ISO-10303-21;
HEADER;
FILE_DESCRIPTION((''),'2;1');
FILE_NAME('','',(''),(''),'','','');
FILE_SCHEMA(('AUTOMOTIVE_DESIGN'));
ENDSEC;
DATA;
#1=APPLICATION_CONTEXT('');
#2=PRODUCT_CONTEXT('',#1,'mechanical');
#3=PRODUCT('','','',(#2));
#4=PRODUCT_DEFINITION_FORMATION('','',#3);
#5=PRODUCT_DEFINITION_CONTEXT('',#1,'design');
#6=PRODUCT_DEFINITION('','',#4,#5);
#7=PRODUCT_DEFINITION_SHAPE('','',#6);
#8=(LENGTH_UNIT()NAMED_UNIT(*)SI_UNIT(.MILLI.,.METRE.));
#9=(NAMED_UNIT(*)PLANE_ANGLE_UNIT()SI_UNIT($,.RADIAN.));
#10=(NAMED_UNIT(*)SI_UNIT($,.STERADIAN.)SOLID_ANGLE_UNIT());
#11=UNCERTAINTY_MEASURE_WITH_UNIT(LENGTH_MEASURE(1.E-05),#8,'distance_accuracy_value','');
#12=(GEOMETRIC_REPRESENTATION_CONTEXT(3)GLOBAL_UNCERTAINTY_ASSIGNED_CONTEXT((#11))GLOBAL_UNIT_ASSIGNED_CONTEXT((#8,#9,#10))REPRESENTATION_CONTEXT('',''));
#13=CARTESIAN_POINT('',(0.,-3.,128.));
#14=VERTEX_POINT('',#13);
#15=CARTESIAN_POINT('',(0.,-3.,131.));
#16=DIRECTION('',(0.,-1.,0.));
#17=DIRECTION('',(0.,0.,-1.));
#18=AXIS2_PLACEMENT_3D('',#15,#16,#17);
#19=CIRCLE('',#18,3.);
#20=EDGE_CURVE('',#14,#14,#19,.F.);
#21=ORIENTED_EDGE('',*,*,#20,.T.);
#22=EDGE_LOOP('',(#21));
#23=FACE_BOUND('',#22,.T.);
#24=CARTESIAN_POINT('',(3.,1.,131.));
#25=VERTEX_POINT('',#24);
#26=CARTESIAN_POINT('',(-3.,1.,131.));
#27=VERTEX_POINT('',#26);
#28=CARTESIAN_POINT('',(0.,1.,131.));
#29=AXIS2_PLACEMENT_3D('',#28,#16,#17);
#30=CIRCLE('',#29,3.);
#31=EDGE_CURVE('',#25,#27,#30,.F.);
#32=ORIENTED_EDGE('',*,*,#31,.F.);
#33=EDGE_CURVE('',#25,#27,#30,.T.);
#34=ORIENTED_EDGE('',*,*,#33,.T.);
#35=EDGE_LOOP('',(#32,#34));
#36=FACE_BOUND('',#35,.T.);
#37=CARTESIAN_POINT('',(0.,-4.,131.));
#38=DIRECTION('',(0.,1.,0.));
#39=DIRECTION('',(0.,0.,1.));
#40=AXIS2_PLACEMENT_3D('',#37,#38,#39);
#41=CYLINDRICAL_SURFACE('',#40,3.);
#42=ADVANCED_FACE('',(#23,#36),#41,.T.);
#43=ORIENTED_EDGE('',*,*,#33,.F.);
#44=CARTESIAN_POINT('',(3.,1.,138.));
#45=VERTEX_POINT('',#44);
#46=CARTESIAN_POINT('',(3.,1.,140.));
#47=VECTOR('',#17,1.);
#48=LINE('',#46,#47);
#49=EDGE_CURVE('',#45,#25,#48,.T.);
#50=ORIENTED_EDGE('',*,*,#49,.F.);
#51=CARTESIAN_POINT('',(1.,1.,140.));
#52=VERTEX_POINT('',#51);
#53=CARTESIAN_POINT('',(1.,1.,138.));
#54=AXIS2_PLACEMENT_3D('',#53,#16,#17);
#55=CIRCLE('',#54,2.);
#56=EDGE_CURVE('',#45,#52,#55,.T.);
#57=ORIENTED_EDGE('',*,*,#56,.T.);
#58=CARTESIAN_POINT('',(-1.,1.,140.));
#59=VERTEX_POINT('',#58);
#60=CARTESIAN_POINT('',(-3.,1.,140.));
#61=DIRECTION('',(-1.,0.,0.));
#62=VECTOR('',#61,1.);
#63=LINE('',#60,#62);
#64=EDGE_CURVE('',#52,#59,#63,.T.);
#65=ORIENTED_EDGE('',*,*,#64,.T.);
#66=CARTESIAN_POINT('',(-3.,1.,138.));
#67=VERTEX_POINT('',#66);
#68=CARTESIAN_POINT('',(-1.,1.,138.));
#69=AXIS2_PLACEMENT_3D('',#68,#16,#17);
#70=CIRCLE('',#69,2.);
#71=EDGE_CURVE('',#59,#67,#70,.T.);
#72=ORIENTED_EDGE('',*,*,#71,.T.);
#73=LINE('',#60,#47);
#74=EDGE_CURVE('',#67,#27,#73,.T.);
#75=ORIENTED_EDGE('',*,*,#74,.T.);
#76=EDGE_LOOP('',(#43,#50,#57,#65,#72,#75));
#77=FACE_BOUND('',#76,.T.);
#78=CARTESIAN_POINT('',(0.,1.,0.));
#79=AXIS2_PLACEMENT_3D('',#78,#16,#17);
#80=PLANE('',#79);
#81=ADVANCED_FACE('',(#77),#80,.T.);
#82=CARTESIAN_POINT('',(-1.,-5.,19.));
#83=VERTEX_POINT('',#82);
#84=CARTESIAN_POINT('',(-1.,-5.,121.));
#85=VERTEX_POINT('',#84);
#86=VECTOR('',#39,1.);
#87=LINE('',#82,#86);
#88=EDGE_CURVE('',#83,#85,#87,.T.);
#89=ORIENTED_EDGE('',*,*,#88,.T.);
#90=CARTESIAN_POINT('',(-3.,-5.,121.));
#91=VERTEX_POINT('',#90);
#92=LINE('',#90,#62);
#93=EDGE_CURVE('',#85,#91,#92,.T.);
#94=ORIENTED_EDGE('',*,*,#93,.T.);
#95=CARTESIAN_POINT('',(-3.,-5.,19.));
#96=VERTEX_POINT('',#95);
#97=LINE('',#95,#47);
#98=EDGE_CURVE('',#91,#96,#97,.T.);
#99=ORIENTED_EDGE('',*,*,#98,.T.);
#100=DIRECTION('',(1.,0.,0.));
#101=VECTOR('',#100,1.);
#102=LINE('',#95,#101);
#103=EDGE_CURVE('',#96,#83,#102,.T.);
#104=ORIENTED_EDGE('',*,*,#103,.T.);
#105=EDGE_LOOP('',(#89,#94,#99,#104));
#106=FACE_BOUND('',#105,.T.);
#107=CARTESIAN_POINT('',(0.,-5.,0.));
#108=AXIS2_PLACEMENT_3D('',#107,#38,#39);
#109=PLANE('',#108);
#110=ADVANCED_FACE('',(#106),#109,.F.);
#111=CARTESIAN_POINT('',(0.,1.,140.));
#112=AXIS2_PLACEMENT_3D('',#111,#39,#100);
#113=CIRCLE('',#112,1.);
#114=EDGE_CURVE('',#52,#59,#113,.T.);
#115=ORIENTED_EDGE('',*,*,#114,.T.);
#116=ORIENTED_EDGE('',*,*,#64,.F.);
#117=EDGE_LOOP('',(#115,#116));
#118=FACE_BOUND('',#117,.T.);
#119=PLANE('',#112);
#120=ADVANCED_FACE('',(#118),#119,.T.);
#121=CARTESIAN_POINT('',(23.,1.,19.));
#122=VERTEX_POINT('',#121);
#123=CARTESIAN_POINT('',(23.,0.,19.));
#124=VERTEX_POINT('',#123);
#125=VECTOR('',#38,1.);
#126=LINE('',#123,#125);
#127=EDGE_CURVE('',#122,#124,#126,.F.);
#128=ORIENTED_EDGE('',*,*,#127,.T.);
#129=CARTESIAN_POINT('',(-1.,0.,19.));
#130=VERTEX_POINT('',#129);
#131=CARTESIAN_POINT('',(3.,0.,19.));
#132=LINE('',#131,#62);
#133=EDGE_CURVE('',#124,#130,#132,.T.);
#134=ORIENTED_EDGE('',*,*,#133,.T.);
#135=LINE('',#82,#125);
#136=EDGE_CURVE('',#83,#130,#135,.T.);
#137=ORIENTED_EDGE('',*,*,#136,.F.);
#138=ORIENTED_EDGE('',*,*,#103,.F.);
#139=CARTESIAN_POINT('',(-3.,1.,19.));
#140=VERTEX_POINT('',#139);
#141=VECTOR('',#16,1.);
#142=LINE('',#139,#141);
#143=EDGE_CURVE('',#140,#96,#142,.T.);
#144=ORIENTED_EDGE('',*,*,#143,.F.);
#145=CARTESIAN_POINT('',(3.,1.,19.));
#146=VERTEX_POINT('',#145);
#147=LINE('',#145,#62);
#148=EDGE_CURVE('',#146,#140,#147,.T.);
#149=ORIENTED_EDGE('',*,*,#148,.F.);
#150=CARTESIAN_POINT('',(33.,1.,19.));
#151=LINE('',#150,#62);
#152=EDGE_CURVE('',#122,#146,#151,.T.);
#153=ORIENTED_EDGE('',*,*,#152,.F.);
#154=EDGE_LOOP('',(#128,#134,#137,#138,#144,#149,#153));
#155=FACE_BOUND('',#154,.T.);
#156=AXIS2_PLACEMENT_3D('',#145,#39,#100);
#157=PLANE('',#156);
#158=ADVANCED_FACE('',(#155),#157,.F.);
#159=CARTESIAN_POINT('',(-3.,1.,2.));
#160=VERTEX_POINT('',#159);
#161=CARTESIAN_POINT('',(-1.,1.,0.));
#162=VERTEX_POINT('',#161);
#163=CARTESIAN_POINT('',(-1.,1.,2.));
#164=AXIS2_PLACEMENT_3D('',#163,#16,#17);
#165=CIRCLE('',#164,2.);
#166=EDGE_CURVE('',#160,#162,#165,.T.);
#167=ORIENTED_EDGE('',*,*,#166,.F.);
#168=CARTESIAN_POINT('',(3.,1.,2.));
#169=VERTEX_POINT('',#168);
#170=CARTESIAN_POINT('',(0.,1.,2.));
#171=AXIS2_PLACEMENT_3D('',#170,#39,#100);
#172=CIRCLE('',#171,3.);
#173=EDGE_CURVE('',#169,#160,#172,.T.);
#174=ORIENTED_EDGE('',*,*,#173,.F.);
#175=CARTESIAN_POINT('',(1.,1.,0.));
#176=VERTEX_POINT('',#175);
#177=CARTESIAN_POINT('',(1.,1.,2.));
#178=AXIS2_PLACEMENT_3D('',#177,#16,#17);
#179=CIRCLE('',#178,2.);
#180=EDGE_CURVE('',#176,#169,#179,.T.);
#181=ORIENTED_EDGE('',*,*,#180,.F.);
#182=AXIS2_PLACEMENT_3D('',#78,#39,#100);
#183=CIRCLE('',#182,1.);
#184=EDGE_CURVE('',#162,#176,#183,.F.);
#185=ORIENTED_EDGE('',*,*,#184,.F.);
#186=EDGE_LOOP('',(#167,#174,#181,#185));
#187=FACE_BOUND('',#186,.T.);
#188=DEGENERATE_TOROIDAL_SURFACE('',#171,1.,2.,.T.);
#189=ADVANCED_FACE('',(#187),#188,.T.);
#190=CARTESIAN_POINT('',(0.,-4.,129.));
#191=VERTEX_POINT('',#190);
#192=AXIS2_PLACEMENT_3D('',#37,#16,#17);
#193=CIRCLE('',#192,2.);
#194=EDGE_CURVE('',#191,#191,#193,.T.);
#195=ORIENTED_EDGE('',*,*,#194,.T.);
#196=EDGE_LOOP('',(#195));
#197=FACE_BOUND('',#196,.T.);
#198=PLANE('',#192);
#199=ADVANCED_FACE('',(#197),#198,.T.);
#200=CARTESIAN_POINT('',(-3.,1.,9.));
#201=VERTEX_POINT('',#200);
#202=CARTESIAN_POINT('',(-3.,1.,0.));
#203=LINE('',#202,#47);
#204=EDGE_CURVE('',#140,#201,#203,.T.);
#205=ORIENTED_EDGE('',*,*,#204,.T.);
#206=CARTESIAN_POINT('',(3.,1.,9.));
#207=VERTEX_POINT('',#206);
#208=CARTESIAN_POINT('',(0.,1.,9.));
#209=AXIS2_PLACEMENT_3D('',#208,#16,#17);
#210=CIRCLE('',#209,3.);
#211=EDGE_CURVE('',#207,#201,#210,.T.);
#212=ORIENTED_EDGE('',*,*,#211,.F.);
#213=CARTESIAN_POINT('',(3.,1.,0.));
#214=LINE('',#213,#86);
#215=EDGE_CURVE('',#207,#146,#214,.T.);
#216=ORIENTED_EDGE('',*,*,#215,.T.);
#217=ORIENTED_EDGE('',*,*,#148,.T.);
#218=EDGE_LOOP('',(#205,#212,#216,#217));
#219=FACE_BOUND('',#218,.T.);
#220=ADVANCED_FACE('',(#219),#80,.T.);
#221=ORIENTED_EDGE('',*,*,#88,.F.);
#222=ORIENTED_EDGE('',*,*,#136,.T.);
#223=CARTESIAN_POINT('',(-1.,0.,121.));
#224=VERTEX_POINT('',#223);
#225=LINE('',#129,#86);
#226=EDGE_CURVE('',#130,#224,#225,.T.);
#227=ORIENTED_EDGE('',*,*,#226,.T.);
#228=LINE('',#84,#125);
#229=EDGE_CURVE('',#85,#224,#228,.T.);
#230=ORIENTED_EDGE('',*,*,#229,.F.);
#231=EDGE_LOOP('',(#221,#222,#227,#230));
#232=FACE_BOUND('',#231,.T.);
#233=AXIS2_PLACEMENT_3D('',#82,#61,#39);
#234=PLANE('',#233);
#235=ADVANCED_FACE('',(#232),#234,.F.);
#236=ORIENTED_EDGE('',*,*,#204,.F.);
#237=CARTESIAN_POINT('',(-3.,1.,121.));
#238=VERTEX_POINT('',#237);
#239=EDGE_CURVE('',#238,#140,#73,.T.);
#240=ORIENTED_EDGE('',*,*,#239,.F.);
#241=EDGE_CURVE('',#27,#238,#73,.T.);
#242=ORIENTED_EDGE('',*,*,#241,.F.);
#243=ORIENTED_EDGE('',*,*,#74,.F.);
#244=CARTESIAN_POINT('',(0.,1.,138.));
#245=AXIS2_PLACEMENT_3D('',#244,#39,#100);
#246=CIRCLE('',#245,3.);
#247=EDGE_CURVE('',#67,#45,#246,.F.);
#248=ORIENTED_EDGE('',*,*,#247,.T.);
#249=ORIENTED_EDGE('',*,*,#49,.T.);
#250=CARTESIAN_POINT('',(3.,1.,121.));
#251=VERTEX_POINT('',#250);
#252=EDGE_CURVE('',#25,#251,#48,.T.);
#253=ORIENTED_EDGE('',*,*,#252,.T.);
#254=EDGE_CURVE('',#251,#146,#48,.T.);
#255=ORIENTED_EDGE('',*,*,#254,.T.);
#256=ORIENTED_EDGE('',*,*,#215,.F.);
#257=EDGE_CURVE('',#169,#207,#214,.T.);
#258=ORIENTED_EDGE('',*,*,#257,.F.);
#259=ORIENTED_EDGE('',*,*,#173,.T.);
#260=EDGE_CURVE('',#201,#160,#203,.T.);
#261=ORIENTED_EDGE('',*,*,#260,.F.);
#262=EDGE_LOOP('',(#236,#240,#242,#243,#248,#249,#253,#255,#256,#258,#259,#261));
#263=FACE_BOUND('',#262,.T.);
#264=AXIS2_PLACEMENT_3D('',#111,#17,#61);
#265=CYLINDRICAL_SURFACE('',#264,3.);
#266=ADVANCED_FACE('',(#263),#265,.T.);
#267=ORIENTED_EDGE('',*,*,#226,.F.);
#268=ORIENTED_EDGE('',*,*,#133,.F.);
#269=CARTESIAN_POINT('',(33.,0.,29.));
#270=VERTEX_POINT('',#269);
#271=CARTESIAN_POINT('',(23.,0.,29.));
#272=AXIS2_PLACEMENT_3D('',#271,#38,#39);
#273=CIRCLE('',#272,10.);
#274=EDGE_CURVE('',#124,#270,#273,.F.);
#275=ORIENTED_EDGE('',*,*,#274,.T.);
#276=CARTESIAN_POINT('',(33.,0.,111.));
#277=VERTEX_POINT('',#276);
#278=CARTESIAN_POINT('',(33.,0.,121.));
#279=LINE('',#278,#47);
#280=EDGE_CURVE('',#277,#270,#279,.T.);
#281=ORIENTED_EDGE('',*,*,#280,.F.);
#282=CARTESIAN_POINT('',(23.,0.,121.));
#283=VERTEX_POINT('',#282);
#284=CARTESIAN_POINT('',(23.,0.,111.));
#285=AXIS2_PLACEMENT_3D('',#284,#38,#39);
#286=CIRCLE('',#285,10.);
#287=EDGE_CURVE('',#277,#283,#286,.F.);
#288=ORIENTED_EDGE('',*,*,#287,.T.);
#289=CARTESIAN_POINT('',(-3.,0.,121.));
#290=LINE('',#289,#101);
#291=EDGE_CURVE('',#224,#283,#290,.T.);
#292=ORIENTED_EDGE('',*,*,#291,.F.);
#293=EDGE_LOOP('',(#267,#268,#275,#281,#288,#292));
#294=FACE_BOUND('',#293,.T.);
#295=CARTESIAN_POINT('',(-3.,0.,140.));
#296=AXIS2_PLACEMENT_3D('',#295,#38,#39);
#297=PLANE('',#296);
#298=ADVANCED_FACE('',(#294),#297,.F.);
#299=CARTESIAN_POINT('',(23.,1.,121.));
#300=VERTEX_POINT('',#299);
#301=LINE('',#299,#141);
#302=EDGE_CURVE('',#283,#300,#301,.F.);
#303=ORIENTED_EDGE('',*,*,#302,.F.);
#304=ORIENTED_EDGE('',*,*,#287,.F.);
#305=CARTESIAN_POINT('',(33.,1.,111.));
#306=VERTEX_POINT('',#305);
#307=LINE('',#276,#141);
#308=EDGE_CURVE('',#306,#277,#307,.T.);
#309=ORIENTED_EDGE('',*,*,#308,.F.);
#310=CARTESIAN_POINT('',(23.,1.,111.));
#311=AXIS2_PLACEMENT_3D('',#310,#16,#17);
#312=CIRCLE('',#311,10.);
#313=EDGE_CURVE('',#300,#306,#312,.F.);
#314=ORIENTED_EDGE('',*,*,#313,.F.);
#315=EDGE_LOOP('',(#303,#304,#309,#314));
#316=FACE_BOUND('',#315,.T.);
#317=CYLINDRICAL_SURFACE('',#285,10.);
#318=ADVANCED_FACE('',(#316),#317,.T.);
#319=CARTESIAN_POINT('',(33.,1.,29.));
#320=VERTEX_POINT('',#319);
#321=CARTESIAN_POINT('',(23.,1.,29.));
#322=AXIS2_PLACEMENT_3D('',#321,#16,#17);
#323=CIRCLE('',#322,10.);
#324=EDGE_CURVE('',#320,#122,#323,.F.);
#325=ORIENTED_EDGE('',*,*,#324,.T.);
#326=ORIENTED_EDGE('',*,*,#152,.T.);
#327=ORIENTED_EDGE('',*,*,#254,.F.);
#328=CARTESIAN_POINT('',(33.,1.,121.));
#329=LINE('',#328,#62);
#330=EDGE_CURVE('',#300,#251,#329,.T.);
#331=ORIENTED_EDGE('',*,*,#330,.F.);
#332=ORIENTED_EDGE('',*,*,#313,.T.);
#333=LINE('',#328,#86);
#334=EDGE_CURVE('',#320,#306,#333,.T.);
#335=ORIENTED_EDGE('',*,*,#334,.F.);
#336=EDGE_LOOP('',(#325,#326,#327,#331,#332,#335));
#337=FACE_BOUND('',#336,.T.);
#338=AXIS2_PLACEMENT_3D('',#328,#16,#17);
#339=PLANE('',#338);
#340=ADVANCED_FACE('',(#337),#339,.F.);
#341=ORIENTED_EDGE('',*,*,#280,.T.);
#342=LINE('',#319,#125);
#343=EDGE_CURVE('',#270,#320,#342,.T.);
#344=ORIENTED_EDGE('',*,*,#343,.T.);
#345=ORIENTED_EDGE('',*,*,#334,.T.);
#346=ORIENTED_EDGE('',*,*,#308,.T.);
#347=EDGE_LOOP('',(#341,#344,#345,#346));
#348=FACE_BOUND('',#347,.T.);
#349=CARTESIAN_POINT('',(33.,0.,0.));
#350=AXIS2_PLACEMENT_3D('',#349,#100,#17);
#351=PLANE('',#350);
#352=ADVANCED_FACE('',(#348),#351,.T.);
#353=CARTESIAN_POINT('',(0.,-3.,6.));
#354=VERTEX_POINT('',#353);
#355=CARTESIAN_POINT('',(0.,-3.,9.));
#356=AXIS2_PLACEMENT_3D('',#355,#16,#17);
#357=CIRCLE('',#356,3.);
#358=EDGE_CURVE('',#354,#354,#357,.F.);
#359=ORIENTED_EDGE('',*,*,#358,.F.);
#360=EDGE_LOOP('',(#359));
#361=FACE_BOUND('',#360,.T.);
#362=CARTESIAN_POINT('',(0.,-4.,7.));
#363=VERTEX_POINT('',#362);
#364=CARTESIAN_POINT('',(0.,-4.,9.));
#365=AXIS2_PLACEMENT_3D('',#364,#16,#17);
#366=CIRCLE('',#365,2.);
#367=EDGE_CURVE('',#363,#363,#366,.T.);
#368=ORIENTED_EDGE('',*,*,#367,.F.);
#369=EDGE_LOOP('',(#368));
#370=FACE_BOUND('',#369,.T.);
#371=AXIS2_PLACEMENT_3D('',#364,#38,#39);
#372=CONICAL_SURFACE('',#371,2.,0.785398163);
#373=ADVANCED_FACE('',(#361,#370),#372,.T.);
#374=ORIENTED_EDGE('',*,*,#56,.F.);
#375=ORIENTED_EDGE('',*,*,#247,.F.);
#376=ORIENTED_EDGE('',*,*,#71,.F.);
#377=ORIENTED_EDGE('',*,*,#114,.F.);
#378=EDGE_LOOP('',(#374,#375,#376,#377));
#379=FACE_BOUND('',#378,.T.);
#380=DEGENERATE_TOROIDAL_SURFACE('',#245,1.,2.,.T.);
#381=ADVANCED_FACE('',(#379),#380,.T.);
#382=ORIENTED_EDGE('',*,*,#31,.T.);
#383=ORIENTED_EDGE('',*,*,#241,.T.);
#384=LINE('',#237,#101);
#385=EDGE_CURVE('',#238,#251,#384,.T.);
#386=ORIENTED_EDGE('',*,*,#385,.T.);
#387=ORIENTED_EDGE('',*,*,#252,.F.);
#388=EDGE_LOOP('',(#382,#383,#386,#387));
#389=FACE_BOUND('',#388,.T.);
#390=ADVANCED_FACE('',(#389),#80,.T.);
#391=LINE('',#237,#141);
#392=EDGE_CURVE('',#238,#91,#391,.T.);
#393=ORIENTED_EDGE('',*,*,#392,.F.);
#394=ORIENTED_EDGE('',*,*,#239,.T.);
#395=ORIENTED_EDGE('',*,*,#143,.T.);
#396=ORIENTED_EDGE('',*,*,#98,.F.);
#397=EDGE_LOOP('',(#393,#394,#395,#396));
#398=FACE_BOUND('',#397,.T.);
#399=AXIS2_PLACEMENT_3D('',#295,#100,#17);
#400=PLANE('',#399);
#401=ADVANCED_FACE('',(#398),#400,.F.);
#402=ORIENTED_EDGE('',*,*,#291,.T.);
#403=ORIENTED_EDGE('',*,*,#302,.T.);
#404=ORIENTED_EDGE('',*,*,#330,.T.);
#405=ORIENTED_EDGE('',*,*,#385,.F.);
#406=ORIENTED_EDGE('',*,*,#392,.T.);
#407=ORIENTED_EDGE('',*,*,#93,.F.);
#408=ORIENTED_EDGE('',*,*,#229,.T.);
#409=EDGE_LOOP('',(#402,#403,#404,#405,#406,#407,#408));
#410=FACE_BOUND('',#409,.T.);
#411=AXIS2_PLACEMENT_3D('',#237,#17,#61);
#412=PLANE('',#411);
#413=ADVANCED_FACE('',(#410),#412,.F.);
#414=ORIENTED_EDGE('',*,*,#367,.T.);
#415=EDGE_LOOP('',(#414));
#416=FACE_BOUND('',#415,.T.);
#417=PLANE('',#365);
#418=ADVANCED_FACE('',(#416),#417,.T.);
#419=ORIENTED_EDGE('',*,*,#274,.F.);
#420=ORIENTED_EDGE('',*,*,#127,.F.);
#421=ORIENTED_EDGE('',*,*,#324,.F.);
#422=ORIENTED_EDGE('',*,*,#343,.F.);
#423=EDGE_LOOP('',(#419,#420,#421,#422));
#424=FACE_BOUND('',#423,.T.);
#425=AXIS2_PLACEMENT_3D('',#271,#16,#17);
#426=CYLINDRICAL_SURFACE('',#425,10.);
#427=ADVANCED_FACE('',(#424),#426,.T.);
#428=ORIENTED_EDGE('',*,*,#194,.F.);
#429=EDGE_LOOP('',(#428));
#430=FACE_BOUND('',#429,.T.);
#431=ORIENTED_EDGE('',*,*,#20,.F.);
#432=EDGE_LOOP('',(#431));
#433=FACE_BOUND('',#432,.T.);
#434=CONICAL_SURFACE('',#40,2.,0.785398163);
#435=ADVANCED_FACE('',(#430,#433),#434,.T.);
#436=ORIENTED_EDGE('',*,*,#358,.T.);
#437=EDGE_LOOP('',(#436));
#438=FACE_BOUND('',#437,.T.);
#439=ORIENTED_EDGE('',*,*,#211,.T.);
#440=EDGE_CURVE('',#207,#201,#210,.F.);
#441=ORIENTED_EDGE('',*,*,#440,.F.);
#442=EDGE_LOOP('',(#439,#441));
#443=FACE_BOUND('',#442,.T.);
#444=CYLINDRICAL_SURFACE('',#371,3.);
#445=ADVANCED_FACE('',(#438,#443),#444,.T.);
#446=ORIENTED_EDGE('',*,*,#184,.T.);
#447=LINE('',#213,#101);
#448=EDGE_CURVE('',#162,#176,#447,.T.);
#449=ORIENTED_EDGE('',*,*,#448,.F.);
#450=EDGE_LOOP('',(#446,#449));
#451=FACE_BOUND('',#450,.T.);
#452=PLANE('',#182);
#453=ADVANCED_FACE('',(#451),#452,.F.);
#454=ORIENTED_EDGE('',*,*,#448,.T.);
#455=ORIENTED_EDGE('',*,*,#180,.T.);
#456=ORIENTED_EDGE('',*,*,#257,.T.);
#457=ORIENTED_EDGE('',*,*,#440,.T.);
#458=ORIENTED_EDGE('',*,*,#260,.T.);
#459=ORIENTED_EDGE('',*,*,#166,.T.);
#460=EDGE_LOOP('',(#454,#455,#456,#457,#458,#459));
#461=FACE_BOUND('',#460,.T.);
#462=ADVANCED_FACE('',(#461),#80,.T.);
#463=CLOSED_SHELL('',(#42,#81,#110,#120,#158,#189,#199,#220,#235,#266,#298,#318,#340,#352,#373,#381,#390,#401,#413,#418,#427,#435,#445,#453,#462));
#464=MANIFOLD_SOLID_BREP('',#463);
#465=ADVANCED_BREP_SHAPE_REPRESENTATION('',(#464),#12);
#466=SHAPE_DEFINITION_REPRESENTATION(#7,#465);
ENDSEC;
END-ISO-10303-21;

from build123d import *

# Parameters (mm, degrees)
EXTRUDE_2_DEPTH     = 140
SKETCH_4_W          = 6
SKETCH_4_H          = 19
CUT_EXTRUDE_1_DEPTH = 1
SKETCH_3_R          = 3
EXTRUDE_4_DEPTH     = 5
CHAMFER_2_SIZE      = 1
FILLET_2_R          = 2
SKETCH_6_W          = 102
SKETCH_6_H          = 1
EXTRUDE_5_DEPTH     = 30
FILLET_3_R          = 10
SKETCH_7_W          = 2
SKETCH_7_H          = 102
EXTRUDE_6_DEPTH     = 5


with BuildPart() as part:
    # 草图2 → 凸台-拉伸2 (new body)
    with BuildSketch(Plane.XY):
        with BuildLine():
            Line((-3, 0), (3, 0))
            Line((3, 0), (3, 1))
            ThreePointArc((3, 1), (0, 4), (-3, 1))
            Line((-3, 1), (-3, 0))
        make_face()
    extrude(amount=EXTRUDE_2_DEPTH)

    # 草图4 → 切除-拉伸1 (cut)
    with BuildSketch(Plane.XZ):
        with Locations((0, 130.5)):
            Rectangle(SKETCH_4_W, SKETCH_4_H)
        with Locations((0, 9.5)):
            Rectangle(SKETCH_4_W, SKETCH_4_H)
    extrude(amount=-CUT_EXTRUDE_1_DEPTH, mode=Mode.SUBTRACT)

    # 草图3 → 凸台-拉伸4 (add)
    with BuildSketch(Plane.XZ.offset(-1)):
        with Locations(Location((0, 131, 0), (0, 0, 180))):
            Circle(SKETCH_3_R)
        with Locations(Location((0, 9, 0), (0, 0, 180))):
            Circle(SKETCH_3_R)
    extrude(amount=EXTRUDE_4_DEPTH)

    # 倒角2
    chamfer_2_edges = [part.edges().sort_by_distance(p)[0] for p in [
        (3, -4, 131),
        (3, -4, 9),
    ]]
    chamfer(chamfer_2_edges, length=CHAMFER_2_SIZE)

    # 圆角2
    fillet_2_edges = [part.edges().sort_by_distance(p)[0] for p in [
        (0, 4, 140),
        (0, 4, 0),
    ]]
    fillet(fillet_2_edges, radius=FILLET_2_R)

    # 草图6 → 凸台-拉伸5 (add)
    with BuildSketch(Plane(origin=(3, 0, 0), x_dir=(0, 0, -1), z_dir=(1, 0, 0))):
        with Locations((-70, 0.5)):
            Rectangle(SKETCH_6_W, SKETCH_6_H)
    extrude(amount=EXTRUDE_5_DEPTH)

    # 圆角3
    fillet_3_edges = [part.edges().sort_by_distance(p)[0] for p in [
        (33, 0.5, 121),
        (33, 0.5, 19),
    ]]
    fillet(fillet_3_edges, radius=FILLET_3_R)

    # 草图7 → 凸台-拉伸6 (add)
    with BuildSketch(Plane.XZ):
        with Locations((-2, 70)):
            Rectangle(SKETCH_7_W, SKETCH_7_H)
    extrude(amount=EXTRUDE_6_DEPTH)


solid = part.part
